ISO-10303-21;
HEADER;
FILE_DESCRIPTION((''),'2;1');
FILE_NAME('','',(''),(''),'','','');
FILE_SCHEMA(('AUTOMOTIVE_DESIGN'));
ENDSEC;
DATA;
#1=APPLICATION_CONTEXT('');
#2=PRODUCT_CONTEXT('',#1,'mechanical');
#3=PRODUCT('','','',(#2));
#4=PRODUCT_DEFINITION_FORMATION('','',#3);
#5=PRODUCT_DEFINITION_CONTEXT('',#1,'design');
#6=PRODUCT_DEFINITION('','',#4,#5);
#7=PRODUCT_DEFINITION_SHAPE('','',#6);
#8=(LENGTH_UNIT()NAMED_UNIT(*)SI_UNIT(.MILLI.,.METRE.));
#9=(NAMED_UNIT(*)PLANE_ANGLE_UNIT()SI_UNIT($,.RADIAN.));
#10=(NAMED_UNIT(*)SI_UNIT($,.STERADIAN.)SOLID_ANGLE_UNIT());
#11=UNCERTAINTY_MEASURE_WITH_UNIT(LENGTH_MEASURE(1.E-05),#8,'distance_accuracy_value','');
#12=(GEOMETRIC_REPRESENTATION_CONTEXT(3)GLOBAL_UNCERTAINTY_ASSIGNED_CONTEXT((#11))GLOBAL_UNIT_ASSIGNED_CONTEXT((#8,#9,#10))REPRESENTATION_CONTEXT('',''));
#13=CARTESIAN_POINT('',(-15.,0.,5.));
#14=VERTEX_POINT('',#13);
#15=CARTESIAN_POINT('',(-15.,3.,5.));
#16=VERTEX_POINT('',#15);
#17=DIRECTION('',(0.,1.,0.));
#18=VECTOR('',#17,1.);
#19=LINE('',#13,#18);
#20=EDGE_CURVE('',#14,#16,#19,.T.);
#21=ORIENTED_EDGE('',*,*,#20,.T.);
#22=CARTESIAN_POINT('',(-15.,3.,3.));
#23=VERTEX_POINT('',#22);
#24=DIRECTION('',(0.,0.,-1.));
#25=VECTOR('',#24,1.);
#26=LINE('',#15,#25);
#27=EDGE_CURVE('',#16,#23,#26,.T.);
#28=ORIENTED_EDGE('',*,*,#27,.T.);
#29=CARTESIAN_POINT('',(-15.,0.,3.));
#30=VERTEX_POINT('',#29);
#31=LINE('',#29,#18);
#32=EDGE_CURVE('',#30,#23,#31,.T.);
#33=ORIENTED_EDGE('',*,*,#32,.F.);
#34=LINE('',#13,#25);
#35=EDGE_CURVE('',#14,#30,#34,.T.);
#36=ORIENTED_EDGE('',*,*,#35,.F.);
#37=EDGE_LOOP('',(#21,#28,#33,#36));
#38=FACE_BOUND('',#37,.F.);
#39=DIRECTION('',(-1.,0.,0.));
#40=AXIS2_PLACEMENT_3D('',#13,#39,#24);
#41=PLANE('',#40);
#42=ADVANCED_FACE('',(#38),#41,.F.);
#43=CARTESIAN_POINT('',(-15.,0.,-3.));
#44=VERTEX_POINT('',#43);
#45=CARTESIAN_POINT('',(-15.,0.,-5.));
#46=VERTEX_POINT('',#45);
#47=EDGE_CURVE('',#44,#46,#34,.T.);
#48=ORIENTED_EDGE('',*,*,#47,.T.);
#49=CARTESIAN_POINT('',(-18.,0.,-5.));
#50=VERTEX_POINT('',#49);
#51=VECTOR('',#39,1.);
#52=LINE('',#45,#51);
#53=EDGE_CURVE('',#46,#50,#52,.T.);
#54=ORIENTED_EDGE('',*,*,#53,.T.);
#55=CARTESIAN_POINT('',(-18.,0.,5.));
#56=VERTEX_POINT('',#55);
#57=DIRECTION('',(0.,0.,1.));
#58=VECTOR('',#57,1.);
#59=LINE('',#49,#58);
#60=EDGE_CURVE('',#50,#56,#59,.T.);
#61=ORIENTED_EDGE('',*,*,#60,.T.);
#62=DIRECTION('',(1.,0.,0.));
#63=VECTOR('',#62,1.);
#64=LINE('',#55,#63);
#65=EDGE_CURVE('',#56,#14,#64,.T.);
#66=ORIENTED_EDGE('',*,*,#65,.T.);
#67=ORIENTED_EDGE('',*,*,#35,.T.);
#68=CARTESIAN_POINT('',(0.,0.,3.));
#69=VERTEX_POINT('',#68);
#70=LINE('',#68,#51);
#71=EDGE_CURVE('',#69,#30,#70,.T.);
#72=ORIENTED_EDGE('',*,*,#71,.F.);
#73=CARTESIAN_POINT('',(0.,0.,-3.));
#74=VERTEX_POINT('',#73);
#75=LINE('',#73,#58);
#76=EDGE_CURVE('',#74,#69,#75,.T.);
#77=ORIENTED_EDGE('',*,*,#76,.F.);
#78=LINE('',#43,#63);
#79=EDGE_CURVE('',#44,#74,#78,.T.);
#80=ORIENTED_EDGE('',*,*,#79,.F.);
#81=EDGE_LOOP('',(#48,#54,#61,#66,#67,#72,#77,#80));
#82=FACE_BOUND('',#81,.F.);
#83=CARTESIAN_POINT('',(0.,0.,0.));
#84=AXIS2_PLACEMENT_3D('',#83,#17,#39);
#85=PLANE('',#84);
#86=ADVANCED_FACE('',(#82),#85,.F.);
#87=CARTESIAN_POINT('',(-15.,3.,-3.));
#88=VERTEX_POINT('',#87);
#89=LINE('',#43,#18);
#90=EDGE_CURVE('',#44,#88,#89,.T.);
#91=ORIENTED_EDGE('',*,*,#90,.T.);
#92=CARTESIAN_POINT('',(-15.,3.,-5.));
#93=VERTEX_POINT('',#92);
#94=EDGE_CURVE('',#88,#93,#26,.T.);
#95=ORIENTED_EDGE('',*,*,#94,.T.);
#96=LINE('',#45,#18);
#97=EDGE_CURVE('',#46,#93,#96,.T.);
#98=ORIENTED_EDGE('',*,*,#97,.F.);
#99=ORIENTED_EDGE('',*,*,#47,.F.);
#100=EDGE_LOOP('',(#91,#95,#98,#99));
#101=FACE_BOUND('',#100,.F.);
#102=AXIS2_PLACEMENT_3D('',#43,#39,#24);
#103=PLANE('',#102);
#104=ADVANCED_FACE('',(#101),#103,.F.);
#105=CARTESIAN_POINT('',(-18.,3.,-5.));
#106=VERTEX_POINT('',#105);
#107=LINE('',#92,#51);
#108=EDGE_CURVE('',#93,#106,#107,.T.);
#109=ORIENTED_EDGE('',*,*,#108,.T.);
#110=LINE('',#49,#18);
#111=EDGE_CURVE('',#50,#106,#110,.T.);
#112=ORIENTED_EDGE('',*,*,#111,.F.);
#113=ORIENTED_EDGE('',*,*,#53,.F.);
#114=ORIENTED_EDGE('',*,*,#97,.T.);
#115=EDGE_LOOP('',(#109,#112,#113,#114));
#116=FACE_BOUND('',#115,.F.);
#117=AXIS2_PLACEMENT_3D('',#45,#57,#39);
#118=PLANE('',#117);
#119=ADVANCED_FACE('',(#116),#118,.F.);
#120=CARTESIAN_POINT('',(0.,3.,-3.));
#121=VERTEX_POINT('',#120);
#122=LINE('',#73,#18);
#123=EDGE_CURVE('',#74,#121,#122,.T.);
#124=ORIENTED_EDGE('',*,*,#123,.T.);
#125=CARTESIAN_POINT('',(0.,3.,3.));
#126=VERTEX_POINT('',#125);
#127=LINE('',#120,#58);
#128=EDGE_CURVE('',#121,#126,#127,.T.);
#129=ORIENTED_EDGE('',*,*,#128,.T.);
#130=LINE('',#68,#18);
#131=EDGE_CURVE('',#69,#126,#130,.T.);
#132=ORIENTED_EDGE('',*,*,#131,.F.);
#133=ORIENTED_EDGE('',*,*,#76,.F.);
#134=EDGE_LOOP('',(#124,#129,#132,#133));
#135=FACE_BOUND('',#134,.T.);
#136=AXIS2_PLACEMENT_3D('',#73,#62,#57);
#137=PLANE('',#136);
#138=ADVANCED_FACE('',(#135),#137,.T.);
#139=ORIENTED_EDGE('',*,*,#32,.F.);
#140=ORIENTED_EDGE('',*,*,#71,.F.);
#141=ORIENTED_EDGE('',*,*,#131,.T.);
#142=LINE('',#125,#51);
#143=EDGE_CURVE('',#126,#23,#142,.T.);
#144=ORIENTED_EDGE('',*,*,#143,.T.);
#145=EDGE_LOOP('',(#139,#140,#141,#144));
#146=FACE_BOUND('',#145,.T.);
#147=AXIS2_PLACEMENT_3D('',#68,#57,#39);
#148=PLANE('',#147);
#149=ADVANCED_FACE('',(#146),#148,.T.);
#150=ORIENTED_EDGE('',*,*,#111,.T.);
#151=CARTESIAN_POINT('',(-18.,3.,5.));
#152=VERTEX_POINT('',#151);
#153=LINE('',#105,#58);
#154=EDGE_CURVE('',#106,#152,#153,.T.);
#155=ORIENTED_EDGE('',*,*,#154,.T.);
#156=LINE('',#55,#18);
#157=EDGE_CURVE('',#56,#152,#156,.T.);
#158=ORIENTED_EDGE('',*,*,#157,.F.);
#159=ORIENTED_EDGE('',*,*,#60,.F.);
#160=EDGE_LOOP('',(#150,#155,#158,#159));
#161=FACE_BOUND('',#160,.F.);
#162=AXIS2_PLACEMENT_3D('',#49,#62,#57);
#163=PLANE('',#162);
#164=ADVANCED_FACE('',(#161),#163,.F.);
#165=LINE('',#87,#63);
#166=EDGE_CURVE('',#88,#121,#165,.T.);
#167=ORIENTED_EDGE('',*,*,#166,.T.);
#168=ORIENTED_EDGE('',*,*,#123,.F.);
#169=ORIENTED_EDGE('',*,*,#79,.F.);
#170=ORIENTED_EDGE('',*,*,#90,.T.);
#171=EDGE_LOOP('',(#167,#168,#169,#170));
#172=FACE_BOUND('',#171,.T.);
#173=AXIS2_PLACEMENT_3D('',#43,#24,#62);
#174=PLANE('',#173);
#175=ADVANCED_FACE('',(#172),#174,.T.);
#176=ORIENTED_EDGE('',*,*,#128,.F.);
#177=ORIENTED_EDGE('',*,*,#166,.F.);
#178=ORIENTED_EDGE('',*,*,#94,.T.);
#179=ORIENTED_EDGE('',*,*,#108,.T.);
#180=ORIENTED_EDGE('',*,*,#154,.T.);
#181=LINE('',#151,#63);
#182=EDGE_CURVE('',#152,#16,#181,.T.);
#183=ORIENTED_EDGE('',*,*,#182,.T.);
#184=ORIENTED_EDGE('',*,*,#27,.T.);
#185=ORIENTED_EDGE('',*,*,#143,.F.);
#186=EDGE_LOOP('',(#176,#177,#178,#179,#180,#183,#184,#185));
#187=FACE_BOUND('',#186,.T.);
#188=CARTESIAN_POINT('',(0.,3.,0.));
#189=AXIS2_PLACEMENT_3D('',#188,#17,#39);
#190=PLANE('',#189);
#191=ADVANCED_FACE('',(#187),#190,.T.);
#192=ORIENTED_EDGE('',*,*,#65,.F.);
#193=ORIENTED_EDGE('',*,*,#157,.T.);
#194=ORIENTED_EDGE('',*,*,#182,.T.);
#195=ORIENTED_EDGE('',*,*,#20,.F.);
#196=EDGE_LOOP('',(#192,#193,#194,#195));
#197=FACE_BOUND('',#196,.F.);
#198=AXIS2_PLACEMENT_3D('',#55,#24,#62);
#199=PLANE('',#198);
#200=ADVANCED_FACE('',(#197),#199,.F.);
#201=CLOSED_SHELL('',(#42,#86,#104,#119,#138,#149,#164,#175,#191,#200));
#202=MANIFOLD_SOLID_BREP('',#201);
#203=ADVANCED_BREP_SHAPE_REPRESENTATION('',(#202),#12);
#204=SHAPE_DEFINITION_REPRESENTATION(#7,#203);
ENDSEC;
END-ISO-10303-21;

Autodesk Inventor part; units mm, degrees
ref_plane "YZ Plane" through (0, 0, 0) normal (1, 0, 0) x (0, 1, 0)
ref_plane "XZ Plane" through (0, 0, 0) normal (0, 1, 0) x (-1, 0, 0)
ref_plane "XY Plane" through (0, 0, 0) normal (0, 0, 1) x (1, 0, 0)
sketch "草圖1" plane through (0, 0, 0) normal (0, 1, 0) x (-1, 0, 0)
  line L0 (0, 3) -> (15, 3)
  line L1 (15, 3) -> (15, -3)
  line L2 (15, -3) -> (0, -3)
  line L3 (0, -3) -> (0, 3)
  line L4 (18, 5) -> (15, 5)
  line L5 (15, 5) -> (15, -5)
  line L6 (15, -5) -> (18, -5)
  line L7 (18, -5) -> (18, 5)
  point P0 (0, 0)
  point P1 (0, 0)
  point P2 (15, 0)
  dimension "d0" = 6
  dimension "d1" = 15
  dimension "d2" = 3
  dimension "d3" = 10
extrude "擠出1" add sketch "草圖1" along normal blind 3
properties part number "插銷B"
